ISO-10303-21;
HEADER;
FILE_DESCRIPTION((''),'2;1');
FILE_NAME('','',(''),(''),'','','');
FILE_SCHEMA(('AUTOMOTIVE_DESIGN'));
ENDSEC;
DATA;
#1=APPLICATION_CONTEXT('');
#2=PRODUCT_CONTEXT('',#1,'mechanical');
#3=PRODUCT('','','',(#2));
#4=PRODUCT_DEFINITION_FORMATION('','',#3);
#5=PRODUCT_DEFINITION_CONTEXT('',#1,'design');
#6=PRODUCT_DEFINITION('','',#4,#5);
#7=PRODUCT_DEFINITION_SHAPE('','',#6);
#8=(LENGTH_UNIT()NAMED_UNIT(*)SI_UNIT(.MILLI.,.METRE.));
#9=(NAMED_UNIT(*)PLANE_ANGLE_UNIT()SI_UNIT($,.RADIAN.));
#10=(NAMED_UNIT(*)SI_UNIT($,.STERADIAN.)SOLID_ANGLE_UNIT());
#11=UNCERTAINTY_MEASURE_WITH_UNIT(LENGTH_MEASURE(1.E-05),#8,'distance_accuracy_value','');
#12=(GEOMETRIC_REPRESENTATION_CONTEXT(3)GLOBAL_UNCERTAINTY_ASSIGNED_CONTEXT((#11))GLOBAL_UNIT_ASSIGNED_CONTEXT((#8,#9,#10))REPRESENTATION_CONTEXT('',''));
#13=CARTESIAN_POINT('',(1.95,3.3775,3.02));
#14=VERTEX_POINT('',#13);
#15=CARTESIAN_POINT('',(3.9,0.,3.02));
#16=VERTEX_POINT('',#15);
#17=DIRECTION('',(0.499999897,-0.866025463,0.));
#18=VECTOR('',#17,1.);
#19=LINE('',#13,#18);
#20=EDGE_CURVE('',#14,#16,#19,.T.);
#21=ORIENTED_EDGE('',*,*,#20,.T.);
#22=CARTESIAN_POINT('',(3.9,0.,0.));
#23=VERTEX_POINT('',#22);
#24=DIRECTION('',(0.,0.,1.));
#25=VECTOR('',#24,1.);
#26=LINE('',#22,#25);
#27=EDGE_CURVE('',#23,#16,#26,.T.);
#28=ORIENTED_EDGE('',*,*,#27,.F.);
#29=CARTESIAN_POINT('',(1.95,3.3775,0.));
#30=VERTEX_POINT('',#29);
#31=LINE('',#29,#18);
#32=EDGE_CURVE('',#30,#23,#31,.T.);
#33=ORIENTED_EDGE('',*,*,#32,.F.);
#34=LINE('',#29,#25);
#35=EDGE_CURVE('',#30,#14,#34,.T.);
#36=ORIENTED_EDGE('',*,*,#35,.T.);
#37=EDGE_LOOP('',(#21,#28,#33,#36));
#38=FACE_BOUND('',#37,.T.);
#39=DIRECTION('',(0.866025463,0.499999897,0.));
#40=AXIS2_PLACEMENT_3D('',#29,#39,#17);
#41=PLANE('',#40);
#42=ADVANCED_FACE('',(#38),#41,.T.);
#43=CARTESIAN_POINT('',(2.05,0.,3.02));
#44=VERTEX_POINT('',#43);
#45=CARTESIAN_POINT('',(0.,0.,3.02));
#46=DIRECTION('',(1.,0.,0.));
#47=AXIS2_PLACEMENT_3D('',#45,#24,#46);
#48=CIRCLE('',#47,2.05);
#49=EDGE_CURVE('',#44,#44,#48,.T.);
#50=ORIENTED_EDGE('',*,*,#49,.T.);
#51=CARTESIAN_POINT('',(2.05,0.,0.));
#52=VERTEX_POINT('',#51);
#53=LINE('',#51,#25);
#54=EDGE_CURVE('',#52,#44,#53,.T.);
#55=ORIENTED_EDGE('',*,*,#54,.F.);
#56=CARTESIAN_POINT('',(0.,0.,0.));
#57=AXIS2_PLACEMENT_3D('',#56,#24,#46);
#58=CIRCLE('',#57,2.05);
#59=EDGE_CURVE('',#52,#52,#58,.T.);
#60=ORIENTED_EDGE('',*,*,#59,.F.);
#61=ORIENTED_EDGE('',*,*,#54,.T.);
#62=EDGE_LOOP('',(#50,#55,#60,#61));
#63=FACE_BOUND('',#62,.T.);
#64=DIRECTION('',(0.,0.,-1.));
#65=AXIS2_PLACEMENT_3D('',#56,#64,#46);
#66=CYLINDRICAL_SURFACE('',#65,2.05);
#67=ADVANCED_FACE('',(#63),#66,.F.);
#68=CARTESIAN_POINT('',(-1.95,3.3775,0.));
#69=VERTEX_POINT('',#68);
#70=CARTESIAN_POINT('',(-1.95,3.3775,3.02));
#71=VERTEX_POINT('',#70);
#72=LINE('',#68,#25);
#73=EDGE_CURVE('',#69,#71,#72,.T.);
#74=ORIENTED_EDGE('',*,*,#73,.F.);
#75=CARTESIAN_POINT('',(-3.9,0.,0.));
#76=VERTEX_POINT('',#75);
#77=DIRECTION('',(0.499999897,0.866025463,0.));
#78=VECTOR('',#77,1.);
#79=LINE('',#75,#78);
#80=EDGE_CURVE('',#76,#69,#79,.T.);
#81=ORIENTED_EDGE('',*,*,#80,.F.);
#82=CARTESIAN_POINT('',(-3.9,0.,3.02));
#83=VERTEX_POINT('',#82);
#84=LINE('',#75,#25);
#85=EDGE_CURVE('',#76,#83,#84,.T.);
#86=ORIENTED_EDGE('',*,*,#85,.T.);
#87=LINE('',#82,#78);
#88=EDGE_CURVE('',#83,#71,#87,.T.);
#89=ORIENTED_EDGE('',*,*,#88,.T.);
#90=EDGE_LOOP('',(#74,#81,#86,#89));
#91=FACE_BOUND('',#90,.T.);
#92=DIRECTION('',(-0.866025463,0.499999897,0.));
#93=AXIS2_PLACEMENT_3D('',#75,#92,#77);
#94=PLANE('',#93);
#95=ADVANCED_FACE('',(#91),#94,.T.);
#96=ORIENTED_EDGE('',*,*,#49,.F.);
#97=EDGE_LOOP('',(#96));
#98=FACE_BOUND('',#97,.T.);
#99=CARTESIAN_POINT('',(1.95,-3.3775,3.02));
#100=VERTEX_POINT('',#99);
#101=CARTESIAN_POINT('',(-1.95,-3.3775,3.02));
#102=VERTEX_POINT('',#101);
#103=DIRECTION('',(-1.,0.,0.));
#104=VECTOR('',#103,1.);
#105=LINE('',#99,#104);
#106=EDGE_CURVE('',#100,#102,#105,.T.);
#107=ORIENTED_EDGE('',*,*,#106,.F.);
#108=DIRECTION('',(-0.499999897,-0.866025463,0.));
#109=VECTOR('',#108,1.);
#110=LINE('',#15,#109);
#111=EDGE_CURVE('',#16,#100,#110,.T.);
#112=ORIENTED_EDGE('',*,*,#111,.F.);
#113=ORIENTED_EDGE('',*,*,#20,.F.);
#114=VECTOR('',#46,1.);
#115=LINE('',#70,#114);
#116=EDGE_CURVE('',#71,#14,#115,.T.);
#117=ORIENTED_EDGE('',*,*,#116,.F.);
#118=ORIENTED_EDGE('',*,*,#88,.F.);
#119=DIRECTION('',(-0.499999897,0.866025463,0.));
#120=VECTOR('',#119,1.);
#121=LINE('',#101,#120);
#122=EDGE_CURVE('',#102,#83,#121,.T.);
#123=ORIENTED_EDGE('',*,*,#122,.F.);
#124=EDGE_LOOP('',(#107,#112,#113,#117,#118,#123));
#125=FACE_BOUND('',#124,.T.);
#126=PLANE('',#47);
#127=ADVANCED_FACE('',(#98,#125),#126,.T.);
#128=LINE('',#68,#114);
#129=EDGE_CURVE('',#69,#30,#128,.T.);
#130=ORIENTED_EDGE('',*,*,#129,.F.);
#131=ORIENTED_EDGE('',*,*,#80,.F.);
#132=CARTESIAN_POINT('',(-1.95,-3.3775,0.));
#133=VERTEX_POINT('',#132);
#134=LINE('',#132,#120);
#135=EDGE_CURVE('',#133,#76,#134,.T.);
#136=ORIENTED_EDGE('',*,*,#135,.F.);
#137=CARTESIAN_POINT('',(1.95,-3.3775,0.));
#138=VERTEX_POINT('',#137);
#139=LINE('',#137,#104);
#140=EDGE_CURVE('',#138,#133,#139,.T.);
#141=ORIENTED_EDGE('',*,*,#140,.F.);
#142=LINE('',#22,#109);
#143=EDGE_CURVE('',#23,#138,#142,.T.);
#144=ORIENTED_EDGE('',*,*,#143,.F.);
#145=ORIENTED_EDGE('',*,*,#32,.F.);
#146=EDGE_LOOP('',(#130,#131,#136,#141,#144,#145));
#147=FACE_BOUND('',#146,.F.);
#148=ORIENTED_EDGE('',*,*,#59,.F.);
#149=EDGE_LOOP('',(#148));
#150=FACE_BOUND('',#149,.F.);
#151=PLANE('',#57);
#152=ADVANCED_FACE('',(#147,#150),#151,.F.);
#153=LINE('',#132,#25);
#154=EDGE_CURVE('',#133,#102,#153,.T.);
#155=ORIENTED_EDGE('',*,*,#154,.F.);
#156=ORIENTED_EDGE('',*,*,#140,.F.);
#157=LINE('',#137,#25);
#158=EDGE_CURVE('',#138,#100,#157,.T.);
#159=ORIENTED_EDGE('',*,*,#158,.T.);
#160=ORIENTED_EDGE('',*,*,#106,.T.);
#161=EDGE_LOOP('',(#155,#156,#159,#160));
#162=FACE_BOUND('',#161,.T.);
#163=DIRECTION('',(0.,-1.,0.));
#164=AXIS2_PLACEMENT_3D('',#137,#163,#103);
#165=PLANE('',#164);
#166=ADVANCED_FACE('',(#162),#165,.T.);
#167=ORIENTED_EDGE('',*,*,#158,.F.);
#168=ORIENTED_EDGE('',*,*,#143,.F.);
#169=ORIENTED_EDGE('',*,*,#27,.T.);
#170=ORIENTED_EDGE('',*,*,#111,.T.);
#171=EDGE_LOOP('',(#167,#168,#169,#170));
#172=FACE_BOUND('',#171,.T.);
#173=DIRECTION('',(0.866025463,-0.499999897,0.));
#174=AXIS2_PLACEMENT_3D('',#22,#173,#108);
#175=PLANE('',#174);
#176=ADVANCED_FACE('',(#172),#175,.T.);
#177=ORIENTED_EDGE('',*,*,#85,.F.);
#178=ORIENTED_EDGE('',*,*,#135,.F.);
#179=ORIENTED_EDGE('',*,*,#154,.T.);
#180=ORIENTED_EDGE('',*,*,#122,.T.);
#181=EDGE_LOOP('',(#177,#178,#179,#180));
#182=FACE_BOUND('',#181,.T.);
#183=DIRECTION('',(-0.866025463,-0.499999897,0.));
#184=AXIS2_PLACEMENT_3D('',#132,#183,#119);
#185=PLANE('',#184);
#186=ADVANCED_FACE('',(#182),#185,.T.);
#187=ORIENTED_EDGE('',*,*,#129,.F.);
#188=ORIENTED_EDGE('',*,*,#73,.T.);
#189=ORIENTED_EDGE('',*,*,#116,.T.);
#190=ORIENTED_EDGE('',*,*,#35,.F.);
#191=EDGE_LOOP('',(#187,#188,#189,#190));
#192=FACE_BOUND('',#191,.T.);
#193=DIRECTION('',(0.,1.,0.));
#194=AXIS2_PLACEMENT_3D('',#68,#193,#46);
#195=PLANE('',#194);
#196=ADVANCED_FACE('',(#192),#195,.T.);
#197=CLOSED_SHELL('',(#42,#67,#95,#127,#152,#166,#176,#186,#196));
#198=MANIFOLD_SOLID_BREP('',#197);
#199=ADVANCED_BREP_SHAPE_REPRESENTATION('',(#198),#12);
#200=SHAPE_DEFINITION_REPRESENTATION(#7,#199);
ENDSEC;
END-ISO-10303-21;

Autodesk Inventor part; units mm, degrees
ref_plane "YZ Plane" through (0, 0, 0) normal (1, 0, 0) x (0, 1, 0)
ref_plane "XZ Plane" through (0, 0, 0) normal (0, 1, 0) x (-1, 0, 0)
ref_plane "XY Plane" through (0, 0, 0) normal (0, 0, 1) x (1, 0, 0)
sketch "Sketch1" plane through (0, 0, 0) normal (0, 0, 1) x (1, 0, 0)
  line L0 (0, 0) -> (3.9, 0) construction
  line L1 (0, 0) -> (1.95, 3.3775) construction
  line L2 (0, 0) -> (-1.95, 3.3775) construction
  line L3 (0, 0) -> (-3.9, 0) construction
  line L4 (0, 0) -> (-1.95, -3.3775) construction
  line L5 (0, 0) -> (1.95, -3.3775) construction
  line L6 (-1.95, 3.3775) -> (1.95, 3.3775)
  line L7 (1.95, 3.3775) -> (3.9, 0)
  line L8 (3.9, 0) -> (1.95, -3.3775)
  line L9 (1.95, -3.3775) -> (-1.95, -3.3775)
  line L10 (-1.95, -3.3775) -> (-3.9, 0)
  line L11 (-3.9, 0) -> (-1.95, 3.3775)
  circle A0 centre (0, 0) radius 2.05
  dimension "d0" = 3.9
  dimension "d3" = 360
  dimension "d5" = 4.1
extrude "Extrusion1" add sketch "Sketch1" along normal blind 3.02
properties part number "M4_tuerca"
